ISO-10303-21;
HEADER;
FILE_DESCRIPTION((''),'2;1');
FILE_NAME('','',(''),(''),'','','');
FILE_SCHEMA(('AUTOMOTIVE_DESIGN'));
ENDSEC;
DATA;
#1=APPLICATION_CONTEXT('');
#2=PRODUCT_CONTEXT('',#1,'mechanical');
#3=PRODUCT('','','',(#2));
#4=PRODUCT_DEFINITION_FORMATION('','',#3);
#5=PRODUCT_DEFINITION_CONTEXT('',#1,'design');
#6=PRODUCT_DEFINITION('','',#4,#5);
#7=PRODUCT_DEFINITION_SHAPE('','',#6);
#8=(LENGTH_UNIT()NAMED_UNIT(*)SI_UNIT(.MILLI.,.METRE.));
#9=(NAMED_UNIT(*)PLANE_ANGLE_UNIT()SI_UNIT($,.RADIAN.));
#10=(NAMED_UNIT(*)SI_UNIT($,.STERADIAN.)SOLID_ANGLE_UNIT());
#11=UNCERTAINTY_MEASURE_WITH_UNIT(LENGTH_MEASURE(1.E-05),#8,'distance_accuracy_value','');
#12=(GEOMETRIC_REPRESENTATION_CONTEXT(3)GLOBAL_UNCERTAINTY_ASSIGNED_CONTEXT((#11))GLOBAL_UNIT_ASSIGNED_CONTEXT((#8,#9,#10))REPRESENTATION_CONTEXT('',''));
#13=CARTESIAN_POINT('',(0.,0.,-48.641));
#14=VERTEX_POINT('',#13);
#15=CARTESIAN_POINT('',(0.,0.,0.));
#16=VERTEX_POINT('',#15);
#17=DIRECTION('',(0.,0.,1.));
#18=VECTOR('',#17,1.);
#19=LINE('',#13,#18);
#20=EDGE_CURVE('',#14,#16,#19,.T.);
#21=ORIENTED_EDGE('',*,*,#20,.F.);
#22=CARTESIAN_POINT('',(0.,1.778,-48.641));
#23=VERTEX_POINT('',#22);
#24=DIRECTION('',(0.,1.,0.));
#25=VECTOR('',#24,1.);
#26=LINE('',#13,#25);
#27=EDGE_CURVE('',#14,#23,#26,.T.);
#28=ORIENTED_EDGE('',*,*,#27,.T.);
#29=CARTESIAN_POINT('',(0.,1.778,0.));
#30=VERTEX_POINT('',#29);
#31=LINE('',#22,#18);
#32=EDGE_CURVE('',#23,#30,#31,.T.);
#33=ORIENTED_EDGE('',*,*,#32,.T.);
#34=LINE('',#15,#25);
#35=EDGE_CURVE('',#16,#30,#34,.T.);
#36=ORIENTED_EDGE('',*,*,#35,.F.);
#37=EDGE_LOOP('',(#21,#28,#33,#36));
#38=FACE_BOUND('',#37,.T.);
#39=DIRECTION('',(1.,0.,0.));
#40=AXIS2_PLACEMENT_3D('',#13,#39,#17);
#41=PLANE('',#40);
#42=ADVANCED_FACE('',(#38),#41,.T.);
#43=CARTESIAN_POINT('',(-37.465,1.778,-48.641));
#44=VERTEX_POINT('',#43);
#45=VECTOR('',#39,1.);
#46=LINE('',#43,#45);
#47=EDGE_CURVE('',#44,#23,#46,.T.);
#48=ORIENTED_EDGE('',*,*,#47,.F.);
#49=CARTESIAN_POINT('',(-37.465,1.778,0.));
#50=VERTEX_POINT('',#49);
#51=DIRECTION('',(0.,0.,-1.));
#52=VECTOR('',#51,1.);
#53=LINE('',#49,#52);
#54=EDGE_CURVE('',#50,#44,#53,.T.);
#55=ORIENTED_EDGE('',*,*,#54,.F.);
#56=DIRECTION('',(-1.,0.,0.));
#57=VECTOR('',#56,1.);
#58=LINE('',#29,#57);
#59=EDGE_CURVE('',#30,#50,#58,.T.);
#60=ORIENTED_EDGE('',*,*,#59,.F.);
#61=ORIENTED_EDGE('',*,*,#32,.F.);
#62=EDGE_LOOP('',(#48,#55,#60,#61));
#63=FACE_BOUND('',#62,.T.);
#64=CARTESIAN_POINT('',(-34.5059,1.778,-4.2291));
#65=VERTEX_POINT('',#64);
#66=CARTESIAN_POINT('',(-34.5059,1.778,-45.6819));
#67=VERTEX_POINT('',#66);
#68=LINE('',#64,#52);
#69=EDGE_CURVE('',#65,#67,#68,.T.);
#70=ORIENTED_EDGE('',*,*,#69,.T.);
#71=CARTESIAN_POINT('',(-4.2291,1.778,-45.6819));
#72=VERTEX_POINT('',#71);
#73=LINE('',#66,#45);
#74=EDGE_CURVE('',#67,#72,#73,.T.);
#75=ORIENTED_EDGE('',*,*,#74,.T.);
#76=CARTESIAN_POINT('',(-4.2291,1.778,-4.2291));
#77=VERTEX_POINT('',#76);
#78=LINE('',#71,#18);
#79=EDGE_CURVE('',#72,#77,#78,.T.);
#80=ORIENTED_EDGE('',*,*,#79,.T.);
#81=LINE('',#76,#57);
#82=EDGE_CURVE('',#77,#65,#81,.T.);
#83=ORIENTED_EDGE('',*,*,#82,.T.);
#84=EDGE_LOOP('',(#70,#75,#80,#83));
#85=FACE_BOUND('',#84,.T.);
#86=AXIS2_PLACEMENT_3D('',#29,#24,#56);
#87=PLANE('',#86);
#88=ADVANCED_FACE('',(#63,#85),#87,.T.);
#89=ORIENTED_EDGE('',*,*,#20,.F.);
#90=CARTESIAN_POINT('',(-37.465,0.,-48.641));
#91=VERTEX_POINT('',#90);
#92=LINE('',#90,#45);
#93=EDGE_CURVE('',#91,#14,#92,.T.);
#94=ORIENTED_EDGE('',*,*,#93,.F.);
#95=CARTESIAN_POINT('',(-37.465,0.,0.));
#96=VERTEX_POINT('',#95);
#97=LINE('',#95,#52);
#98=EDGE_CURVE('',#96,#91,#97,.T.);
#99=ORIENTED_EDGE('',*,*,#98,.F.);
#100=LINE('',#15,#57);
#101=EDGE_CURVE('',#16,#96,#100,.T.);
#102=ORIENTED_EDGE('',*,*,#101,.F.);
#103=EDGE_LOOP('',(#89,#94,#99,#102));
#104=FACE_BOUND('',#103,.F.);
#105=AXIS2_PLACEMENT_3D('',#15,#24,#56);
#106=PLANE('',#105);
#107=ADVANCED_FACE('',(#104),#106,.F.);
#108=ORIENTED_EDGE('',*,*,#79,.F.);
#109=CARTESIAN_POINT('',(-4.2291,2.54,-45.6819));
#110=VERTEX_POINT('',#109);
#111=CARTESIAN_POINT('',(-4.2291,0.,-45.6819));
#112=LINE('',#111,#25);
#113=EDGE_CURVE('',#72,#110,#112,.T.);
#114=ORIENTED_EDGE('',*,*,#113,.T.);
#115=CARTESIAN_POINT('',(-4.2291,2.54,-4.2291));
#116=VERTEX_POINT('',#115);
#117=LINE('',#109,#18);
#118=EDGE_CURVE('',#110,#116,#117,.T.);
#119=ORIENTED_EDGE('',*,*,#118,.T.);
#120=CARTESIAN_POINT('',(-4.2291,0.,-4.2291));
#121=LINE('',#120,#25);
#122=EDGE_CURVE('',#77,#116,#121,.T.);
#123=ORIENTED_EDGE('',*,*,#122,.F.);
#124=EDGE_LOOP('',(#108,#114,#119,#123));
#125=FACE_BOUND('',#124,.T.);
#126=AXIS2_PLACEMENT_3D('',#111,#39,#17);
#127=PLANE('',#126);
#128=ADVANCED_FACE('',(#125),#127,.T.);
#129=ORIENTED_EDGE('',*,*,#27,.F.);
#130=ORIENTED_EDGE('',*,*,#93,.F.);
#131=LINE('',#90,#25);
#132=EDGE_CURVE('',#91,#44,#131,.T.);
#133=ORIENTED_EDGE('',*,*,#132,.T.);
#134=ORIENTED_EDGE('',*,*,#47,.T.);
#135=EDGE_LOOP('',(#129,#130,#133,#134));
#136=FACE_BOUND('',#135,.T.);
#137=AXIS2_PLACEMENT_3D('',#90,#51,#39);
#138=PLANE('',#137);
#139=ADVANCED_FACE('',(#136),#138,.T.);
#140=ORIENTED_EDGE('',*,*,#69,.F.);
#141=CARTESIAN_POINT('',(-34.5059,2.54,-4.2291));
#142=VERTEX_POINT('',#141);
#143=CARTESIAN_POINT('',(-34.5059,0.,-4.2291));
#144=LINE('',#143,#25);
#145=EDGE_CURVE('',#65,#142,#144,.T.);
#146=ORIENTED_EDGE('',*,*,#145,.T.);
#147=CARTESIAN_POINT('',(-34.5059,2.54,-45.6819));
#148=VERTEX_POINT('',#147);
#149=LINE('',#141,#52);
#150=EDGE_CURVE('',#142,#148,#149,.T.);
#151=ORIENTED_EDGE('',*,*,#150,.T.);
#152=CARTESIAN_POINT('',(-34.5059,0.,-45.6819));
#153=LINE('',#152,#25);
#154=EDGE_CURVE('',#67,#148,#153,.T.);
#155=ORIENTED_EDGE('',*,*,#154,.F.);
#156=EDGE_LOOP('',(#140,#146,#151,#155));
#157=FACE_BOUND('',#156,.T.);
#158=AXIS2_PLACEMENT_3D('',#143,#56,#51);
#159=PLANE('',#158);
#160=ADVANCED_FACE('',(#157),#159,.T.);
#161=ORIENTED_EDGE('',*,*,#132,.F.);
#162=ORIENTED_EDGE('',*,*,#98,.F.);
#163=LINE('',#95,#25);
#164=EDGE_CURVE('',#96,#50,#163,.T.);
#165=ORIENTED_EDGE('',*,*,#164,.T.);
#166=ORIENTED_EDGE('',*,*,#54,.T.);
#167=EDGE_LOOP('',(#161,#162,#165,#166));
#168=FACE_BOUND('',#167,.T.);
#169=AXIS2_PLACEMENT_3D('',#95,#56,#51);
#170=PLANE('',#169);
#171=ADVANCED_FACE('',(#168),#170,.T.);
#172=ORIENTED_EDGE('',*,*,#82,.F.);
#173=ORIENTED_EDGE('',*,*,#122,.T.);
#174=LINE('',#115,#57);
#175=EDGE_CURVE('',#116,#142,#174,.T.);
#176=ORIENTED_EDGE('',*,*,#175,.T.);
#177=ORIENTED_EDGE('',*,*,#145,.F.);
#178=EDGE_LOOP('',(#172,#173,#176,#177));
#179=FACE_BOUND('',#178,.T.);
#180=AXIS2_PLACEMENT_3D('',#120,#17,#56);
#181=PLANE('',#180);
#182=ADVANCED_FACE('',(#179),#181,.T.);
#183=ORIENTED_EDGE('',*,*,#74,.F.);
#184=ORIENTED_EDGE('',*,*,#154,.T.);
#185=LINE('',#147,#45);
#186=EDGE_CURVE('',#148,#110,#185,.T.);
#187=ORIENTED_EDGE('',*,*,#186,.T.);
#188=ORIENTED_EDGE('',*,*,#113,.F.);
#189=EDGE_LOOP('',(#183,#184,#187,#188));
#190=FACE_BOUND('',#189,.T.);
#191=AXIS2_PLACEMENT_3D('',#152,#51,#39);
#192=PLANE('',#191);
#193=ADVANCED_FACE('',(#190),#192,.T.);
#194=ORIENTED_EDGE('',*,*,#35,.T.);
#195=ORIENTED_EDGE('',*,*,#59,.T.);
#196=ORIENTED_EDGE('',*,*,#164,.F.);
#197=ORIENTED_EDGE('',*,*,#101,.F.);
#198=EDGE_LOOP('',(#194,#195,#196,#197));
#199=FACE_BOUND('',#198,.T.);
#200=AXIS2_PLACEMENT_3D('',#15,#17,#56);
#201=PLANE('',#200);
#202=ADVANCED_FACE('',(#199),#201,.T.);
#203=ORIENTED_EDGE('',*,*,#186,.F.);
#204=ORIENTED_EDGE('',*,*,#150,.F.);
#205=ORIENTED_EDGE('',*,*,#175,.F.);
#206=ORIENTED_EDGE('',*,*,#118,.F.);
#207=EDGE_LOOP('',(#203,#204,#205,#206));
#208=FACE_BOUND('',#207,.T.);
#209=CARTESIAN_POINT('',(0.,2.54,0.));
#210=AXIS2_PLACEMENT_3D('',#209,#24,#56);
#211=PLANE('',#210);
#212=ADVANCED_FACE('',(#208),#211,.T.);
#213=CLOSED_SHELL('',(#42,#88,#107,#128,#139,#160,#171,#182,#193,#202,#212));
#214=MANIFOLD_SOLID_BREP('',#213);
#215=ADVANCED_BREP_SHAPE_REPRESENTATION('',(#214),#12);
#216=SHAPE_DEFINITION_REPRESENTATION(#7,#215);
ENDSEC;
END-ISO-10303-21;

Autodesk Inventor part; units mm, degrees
ref_plane "YZ Plane" through (0, 0, 0) normal (1, 0, 0) x (0, 1, 0)
ref_plane "XZ Plane" through (0, 0, 0) normal (0, 1, 0) x (-1, 0, 0)
ref_plane "XY Plane" through (0, 0, 0) normal (0, 0, 1) x (1, 0, 0)
sketch "Sketch1" plane through (0, 0, 0) normal (0, 1, 0) x (-1, 0, 0)
  line L0 (0, 0) -> (37.465, 0)
  line L1 (37.465, 0) -> (37.465, -48.641)
  line L2 (37.465, -48.641) -> (0, -48.641)
  line L3 (0, -48.641) -> (0, 0)
  line L4 (4.2291, -4.2291) -> (34.5059, -4.2291)
  line L5 (34.5059, -4.2291) -> (34.5059, -45.6819)
  line L6 (34.5059, -45.6819) -> (4.2291, -45.6819)
  line L7 (4.2291, -45.6819) -> (4.2291, -4.2291)
  line L8 (4.2291, -4.2291) -> (34.5059, -45.6819) construction
  line L9 (34.5059, -4.2291) -> (4.2291, -45.6819) construction
  point P0 (19.3675, -24.9555)
  dimension "d0" = 37.465
  dimension "d1" = 48.641
  dimension "d2" = 30.2768
  dimension "d3" = 41.4528
extrude "Extrusion1" add sketch "Sketch1" along normal blind 2.54 contours L4 L5 L6 L7
extrude "Extrusion2" add sketch "Sketch1" along normal blind 1.778
properties part number "Valve Holder-3valve-withwirebox-lidforbox"
